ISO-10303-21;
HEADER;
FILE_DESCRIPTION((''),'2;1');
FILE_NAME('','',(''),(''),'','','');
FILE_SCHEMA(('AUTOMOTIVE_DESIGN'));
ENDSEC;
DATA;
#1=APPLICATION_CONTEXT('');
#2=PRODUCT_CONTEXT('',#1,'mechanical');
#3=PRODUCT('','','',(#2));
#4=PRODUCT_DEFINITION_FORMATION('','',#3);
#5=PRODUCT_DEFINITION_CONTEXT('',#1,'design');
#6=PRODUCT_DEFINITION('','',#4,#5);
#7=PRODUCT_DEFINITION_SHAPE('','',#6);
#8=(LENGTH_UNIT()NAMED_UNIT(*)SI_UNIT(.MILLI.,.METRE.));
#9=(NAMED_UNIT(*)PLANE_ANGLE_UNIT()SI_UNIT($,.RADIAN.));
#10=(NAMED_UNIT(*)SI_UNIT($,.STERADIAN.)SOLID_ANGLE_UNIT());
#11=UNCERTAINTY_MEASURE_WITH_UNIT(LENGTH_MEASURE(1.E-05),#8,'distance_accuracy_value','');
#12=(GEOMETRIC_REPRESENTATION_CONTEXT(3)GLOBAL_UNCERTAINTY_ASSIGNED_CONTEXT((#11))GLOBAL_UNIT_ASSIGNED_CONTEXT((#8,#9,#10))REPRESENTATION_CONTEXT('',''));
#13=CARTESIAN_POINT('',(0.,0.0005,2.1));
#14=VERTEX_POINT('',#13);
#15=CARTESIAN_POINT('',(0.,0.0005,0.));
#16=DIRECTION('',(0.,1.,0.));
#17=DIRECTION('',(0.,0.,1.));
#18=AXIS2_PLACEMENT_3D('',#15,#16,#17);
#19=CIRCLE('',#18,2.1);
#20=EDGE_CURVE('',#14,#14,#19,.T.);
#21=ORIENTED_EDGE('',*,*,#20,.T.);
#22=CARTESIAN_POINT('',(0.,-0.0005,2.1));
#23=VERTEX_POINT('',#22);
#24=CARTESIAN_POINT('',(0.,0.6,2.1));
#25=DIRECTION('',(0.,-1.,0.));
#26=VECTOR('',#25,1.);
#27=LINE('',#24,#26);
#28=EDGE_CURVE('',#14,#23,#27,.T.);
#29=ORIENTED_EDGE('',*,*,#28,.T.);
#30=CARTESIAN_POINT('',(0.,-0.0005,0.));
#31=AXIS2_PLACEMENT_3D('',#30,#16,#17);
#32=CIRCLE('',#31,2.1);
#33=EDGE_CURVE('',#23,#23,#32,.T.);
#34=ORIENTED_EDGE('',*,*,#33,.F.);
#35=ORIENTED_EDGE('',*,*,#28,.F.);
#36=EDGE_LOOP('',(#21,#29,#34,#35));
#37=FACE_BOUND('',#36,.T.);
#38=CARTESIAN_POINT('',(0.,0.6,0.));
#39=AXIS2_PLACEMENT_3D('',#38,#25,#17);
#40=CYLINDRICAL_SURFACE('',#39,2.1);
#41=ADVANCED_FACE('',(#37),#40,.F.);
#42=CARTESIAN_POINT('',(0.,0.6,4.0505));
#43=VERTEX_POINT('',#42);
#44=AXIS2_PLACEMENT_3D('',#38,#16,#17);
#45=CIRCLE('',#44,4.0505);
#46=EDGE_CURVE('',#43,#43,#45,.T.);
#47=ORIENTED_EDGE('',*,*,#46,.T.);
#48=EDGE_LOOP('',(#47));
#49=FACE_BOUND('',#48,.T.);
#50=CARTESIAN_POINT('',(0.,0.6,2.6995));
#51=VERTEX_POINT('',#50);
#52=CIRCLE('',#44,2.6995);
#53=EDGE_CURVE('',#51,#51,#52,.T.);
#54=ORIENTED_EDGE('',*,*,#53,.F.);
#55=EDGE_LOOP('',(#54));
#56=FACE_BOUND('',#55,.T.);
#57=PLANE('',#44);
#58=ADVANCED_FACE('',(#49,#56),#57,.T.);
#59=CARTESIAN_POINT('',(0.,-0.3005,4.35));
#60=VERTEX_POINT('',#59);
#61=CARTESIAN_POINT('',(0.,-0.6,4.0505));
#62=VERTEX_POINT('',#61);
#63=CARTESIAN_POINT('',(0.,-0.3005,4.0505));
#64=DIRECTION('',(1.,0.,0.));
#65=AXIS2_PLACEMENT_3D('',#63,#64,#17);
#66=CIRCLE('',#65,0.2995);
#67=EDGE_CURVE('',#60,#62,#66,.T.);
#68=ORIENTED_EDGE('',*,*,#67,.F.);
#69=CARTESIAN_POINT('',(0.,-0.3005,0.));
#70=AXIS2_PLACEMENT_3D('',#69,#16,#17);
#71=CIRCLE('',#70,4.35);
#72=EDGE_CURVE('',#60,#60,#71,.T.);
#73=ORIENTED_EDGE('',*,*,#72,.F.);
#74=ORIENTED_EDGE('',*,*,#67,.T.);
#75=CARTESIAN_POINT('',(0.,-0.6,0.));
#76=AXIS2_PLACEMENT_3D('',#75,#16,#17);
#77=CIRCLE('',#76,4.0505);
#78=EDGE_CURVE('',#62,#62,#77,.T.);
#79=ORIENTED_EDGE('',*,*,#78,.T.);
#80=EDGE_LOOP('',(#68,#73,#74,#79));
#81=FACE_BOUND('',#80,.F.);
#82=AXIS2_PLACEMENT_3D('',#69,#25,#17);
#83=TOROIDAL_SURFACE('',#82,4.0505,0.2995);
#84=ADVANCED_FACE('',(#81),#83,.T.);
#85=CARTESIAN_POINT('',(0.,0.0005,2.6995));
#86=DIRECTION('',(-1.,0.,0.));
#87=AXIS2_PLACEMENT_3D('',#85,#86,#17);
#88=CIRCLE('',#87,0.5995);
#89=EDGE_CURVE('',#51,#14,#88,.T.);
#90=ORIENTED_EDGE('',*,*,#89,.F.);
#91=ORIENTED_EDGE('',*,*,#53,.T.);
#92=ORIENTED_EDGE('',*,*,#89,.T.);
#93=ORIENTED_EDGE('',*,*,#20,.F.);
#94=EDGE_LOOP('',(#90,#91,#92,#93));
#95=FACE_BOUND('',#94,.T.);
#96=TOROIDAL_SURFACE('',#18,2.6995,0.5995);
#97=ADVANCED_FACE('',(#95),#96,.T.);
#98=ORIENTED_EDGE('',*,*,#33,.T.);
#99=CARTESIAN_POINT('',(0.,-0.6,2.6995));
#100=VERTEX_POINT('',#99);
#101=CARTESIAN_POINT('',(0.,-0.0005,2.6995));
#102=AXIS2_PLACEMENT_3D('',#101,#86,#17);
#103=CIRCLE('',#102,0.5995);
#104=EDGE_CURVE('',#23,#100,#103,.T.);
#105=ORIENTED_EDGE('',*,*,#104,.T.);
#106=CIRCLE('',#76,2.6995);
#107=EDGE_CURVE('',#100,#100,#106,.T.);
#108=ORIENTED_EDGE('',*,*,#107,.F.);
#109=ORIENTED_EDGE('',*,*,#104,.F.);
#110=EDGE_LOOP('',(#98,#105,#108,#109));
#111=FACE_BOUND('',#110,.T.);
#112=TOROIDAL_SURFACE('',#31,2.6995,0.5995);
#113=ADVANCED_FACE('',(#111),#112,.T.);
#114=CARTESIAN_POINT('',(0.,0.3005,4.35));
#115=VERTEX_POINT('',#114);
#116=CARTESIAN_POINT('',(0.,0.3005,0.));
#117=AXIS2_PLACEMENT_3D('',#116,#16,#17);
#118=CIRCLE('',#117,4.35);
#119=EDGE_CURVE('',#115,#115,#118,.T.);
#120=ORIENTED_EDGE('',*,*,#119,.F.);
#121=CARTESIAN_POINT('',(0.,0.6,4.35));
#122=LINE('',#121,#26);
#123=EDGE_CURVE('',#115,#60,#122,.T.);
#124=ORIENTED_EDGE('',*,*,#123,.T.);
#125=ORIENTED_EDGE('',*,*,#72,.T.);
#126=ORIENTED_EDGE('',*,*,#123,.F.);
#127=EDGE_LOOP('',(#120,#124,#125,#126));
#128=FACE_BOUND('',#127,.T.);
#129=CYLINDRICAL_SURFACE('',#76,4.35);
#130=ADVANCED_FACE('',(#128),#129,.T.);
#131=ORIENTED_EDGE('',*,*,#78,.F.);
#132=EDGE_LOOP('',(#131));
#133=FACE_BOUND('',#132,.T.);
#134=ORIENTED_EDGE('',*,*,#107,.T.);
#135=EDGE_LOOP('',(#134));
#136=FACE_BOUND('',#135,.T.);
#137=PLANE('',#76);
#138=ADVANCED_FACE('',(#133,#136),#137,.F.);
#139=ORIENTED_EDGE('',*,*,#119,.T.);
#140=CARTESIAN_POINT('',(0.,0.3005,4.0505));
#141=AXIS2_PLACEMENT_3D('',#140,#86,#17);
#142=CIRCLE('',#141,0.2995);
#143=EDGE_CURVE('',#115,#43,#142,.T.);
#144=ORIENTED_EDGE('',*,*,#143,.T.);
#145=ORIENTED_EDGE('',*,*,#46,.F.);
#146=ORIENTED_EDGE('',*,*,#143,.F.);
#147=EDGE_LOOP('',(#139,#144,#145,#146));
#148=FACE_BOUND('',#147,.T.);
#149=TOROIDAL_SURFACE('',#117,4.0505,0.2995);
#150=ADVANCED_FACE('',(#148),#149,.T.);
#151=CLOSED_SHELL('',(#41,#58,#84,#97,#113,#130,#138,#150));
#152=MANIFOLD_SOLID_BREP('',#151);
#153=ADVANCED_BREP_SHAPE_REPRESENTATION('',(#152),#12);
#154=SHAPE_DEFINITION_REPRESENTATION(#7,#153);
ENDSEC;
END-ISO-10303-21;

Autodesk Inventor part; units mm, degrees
ref_plane "YZ Plane" through (0, 0, 0) normal (1, 0, 0) x (0, 1, 0)
ref_plane "XZ Plane" through (0, 0, 0) normal (0, 1, 0) x (-1, 0, 0)
ref_plane "XY Plane" through (0, 0, 0) normal (0, 0, 1) x (1, 0, 0)
sketch "Sketch2" plane through (0, 0, 0) normal (1, 0, 0) x (0, 1, 0)
  line L0 (0, 4.8) -> (0, 1.65) projected
  line L1 (-0.84, 0) -> (0.84, 0) projected
  line L2 (-0.6, 4.35) -> (0.6, 4.35)
  line L3 (0.6, 4.35) -> (0.6, 2.1)
  line L4 (0.6, 2.1) -> (-0.6, 2.1)
  line L5 (-0.6, 2.1) -> (-0.6, 4.35)
  dimension "d0" = 1.2
  dimension "d1" = 8.7
  dimension "d4" = 4.2
revolve "Drehung1" add sketch "Sketch2" angle 360 about axis through (0, 0, 0) along (0, 1, 0)
fillet "Rundung1" radius 0.3 2 edges at (0, -0.6, -4.35) (0, 0.6, -4.35)
fillet "Rundung1" radius 0.6 2 edges at (0, -0.6, -2.1) (0, 0.6, -2.1)
equation "\"d1\" = OD"
equation "\"d4\" = ID"
equation "\"OD\" = 8.7"
equation "\"ID\" = 4.2"
properties part number "2-009-Skg-Ø=8,7 mm" material "Kautschuk"
